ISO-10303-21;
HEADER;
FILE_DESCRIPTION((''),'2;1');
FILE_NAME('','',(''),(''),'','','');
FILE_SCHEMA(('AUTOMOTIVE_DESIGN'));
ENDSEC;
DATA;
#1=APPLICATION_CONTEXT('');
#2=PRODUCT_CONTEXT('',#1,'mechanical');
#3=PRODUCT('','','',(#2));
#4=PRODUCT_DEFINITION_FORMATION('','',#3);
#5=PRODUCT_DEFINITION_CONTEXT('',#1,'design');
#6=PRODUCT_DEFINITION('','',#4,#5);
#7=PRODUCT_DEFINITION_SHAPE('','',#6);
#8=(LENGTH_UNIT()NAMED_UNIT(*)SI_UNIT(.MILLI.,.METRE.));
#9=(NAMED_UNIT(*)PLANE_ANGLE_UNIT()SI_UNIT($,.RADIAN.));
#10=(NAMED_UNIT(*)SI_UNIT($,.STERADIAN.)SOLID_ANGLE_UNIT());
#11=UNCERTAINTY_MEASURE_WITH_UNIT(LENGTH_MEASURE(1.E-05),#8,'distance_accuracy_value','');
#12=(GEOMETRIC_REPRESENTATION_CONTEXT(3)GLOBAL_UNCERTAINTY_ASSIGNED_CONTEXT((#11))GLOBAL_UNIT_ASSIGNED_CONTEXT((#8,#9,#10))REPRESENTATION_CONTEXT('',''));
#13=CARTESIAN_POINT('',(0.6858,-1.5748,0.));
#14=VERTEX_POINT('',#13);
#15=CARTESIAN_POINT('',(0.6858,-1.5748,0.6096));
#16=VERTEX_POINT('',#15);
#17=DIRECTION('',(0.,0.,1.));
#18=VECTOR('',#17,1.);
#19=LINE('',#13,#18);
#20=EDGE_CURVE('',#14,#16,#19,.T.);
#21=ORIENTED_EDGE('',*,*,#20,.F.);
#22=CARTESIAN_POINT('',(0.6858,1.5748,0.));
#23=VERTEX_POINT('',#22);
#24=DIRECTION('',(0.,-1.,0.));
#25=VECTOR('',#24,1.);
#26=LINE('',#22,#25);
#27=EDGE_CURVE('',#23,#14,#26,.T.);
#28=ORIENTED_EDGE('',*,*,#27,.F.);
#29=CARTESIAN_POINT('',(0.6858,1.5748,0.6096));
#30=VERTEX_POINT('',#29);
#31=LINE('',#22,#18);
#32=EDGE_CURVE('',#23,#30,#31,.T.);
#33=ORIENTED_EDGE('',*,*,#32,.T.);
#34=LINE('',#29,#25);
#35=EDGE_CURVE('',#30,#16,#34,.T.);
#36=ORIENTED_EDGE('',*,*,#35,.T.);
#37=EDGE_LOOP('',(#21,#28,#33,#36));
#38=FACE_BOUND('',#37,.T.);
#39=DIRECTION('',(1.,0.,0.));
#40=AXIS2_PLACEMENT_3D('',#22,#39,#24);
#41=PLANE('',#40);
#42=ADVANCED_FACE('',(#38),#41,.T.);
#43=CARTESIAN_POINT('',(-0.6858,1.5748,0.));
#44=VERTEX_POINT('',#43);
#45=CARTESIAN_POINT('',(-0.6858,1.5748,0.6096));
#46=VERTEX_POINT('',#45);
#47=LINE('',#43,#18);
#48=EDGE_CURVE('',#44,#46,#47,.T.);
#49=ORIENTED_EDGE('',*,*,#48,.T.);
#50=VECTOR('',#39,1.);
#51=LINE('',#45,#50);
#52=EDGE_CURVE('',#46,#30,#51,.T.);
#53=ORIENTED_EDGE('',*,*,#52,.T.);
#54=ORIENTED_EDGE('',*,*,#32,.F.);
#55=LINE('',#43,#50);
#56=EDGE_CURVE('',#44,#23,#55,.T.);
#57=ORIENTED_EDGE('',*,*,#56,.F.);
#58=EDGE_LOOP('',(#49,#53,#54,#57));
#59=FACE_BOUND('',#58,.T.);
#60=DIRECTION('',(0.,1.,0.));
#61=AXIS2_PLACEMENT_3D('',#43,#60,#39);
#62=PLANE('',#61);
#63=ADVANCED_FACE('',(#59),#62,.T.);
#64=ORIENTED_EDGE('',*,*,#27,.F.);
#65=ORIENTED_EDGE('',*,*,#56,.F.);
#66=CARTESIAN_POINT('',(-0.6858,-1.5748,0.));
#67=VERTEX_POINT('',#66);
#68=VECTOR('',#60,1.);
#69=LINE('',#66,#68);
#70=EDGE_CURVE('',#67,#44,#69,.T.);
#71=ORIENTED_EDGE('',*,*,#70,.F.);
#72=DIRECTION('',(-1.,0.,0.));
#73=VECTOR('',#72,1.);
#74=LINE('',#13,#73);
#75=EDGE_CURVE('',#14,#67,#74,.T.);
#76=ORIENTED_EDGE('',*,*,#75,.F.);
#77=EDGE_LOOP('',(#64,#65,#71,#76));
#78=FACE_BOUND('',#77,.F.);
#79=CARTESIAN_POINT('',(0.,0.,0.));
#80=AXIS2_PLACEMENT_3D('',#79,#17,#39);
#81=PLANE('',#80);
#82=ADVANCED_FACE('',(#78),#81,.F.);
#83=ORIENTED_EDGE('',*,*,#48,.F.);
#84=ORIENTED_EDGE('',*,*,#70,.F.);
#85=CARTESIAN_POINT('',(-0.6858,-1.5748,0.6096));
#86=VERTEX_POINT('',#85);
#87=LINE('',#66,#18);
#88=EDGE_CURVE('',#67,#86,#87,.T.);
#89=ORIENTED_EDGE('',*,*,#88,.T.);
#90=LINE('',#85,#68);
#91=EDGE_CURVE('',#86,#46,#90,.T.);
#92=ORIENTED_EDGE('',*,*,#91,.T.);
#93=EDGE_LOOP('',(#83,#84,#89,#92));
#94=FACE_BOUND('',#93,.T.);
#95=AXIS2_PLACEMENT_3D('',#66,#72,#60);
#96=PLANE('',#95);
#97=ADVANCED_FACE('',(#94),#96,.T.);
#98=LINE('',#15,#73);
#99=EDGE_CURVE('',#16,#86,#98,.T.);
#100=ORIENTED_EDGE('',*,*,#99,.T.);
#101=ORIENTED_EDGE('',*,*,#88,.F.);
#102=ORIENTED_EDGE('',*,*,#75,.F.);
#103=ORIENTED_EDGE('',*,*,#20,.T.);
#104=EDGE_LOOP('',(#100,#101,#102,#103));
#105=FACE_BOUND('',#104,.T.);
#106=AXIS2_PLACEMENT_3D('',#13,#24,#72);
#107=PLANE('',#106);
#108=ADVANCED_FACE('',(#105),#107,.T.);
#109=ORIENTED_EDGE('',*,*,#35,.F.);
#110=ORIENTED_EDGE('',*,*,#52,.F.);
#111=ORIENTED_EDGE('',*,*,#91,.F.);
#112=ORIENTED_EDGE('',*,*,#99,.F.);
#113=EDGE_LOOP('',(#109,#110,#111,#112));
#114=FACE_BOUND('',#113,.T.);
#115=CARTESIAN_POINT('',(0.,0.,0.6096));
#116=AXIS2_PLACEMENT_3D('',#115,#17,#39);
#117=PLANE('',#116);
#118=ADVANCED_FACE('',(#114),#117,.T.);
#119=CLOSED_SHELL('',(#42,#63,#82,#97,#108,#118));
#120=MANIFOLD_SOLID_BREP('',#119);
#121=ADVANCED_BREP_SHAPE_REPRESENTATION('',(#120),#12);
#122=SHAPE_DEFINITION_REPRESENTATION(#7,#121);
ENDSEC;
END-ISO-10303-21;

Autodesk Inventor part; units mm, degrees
ref_plane "YZ Plane" through (0, 0, 0) normal (1, 0, 0) x (0, 1, 0)
ref_plane "XZ Plane" through (0, 0, 0) normal (0, 1, 0) x (-1, 0, 0)
ref_plane "XY Plane" through (0, 0, 0) normal (0, 0, 1) x (1, 0, 0)
sketch "SM0603, 0603YC104KATDA_48" plane through (0, 0, 0) normal (0, 0, 1) x (1, 0, 0)
  line L0 (-0.6858, 1.5748) -> (0.6858, 1.5748)
  line L1 (0.6858, 1.5748) -> (0.6858, -1.5748)
  line L2 (0.6858, -1.5748) -> (-0.6858, -1.5748)
  line L3 (-0.6858, -1.5748) -> (-0.6858, 1.5748)
extrude "Extrusion1" add sketch "SM0603, 0603YC104KATDA_48" along normal blind 0.6096
properties part number "0603YC104KATDA"
